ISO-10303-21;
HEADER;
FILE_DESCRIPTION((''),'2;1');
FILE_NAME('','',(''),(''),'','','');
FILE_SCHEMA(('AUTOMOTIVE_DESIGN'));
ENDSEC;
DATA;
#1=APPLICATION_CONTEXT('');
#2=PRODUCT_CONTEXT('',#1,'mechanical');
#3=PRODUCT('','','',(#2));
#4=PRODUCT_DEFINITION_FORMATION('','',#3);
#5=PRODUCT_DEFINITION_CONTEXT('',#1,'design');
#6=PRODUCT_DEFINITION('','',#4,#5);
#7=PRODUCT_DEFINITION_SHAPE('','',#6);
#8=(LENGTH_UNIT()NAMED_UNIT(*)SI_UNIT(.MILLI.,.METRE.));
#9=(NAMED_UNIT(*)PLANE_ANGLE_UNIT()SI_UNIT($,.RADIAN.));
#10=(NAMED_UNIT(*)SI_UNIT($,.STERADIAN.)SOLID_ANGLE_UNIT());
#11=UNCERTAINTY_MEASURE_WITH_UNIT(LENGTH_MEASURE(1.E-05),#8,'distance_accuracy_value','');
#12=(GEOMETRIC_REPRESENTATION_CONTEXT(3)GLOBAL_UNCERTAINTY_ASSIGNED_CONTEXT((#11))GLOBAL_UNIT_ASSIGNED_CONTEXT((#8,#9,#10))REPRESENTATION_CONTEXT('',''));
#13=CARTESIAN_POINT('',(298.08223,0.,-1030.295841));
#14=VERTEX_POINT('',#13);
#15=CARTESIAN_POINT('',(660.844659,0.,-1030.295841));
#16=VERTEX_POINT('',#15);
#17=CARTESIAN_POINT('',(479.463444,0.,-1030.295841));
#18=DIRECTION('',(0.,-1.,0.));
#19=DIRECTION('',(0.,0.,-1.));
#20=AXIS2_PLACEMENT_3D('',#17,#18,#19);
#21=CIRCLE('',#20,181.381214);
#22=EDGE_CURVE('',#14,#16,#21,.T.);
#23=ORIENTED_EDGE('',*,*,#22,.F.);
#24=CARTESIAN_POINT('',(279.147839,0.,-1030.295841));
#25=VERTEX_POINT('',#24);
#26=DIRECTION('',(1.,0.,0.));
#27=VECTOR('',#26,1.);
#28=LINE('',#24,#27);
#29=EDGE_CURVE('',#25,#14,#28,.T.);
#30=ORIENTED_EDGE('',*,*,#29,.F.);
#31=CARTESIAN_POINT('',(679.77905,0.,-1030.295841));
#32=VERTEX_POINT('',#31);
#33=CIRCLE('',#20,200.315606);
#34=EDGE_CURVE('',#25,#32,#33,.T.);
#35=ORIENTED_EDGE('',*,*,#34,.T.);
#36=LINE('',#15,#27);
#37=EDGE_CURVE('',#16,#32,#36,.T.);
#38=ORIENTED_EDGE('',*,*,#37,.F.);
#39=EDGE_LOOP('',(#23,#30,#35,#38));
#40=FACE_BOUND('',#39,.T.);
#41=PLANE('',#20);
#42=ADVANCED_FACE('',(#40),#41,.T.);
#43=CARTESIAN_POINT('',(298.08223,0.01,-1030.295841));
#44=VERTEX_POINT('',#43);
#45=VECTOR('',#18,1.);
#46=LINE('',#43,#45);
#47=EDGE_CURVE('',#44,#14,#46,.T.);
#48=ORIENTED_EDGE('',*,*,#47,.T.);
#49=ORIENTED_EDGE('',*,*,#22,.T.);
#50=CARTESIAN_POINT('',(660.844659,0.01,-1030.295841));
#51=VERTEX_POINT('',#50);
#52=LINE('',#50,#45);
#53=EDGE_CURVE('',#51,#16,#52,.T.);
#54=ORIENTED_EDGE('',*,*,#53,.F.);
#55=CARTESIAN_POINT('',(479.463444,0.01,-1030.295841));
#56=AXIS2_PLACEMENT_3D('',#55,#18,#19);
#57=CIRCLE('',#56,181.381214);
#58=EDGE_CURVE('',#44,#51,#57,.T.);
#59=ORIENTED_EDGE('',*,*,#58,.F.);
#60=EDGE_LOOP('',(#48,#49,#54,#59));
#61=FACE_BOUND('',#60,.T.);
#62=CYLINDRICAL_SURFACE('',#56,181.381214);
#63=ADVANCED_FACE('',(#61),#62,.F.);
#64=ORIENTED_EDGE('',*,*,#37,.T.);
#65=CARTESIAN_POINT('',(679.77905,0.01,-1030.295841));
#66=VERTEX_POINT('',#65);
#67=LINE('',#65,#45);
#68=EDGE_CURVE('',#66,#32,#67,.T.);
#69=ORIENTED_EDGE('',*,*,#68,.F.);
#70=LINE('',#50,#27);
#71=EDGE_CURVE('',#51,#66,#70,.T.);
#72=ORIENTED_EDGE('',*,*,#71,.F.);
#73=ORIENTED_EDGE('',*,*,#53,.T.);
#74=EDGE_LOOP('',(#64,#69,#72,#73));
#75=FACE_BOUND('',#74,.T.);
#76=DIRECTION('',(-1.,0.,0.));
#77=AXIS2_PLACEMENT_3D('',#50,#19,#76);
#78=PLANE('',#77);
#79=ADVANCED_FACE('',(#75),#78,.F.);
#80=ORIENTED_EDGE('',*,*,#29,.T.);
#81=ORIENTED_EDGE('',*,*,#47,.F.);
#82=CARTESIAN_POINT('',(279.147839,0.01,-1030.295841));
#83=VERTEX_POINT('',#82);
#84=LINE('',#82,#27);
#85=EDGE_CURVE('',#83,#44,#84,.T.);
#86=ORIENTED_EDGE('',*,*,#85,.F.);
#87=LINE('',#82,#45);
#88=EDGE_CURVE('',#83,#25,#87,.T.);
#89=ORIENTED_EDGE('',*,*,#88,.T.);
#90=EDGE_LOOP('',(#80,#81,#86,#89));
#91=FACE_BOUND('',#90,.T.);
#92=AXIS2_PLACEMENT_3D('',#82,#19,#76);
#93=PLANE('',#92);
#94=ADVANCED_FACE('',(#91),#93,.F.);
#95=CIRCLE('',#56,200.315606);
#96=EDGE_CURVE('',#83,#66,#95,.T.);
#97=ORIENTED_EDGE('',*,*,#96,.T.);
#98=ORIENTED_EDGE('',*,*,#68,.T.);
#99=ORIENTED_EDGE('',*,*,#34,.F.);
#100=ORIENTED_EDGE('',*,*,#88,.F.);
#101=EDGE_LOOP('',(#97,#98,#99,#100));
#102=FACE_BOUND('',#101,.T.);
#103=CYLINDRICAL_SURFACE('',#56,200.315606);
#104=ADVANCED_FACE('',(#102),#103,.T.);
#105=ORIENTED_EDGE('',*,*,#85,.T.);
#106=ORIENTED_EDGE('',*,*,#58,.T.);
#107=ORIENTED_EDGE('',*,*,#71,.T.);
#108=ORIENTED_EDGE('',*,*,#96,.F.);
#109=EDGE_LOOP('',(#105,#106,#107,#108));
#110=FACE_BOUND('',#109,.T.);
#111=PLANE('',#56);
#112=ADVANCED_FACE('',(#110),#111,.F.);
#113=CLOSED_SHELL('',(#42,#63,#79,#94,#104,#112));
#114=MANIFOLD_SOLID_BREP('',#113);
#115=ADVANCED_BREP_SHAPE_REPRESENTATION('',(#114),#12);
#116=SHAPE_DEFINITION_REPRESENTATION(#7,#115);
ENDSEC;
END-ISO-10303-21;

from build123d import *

# Parameters (mm, degrees)
RESSALTO_EXTRUS_O6_DEPTH = 0.01


with BuildPart() as part:
    # Esboço1 → Ressalto-extrusão6 (new body)
    with BuildSketch(Plane(origin=(0, 0, 0), x_dir=(1, 0, 0), z_dir=(0, 1, 0))):
        with BuildLine():
            Line((660.844658809, 1030.295840737), (679.779050052, 1030.295840737))
            ThreePointArc((679.779050052, 1030.295840737), (479.463444366, 1230.611446423), (279.147838681, 1030.295840737))
            Line((279.147838681, 1030.295840737), (298.082229915, 1030.295840737))
            ThreePointArc((298.082229915, 1030.295840737), (479.463444362, 1211.677055184), (660.844658809, 1030.295840737))
        make_face()
    extrude(amount=RESSALTO_EXTRUS_O6_DEPTH)


solid = part.part
